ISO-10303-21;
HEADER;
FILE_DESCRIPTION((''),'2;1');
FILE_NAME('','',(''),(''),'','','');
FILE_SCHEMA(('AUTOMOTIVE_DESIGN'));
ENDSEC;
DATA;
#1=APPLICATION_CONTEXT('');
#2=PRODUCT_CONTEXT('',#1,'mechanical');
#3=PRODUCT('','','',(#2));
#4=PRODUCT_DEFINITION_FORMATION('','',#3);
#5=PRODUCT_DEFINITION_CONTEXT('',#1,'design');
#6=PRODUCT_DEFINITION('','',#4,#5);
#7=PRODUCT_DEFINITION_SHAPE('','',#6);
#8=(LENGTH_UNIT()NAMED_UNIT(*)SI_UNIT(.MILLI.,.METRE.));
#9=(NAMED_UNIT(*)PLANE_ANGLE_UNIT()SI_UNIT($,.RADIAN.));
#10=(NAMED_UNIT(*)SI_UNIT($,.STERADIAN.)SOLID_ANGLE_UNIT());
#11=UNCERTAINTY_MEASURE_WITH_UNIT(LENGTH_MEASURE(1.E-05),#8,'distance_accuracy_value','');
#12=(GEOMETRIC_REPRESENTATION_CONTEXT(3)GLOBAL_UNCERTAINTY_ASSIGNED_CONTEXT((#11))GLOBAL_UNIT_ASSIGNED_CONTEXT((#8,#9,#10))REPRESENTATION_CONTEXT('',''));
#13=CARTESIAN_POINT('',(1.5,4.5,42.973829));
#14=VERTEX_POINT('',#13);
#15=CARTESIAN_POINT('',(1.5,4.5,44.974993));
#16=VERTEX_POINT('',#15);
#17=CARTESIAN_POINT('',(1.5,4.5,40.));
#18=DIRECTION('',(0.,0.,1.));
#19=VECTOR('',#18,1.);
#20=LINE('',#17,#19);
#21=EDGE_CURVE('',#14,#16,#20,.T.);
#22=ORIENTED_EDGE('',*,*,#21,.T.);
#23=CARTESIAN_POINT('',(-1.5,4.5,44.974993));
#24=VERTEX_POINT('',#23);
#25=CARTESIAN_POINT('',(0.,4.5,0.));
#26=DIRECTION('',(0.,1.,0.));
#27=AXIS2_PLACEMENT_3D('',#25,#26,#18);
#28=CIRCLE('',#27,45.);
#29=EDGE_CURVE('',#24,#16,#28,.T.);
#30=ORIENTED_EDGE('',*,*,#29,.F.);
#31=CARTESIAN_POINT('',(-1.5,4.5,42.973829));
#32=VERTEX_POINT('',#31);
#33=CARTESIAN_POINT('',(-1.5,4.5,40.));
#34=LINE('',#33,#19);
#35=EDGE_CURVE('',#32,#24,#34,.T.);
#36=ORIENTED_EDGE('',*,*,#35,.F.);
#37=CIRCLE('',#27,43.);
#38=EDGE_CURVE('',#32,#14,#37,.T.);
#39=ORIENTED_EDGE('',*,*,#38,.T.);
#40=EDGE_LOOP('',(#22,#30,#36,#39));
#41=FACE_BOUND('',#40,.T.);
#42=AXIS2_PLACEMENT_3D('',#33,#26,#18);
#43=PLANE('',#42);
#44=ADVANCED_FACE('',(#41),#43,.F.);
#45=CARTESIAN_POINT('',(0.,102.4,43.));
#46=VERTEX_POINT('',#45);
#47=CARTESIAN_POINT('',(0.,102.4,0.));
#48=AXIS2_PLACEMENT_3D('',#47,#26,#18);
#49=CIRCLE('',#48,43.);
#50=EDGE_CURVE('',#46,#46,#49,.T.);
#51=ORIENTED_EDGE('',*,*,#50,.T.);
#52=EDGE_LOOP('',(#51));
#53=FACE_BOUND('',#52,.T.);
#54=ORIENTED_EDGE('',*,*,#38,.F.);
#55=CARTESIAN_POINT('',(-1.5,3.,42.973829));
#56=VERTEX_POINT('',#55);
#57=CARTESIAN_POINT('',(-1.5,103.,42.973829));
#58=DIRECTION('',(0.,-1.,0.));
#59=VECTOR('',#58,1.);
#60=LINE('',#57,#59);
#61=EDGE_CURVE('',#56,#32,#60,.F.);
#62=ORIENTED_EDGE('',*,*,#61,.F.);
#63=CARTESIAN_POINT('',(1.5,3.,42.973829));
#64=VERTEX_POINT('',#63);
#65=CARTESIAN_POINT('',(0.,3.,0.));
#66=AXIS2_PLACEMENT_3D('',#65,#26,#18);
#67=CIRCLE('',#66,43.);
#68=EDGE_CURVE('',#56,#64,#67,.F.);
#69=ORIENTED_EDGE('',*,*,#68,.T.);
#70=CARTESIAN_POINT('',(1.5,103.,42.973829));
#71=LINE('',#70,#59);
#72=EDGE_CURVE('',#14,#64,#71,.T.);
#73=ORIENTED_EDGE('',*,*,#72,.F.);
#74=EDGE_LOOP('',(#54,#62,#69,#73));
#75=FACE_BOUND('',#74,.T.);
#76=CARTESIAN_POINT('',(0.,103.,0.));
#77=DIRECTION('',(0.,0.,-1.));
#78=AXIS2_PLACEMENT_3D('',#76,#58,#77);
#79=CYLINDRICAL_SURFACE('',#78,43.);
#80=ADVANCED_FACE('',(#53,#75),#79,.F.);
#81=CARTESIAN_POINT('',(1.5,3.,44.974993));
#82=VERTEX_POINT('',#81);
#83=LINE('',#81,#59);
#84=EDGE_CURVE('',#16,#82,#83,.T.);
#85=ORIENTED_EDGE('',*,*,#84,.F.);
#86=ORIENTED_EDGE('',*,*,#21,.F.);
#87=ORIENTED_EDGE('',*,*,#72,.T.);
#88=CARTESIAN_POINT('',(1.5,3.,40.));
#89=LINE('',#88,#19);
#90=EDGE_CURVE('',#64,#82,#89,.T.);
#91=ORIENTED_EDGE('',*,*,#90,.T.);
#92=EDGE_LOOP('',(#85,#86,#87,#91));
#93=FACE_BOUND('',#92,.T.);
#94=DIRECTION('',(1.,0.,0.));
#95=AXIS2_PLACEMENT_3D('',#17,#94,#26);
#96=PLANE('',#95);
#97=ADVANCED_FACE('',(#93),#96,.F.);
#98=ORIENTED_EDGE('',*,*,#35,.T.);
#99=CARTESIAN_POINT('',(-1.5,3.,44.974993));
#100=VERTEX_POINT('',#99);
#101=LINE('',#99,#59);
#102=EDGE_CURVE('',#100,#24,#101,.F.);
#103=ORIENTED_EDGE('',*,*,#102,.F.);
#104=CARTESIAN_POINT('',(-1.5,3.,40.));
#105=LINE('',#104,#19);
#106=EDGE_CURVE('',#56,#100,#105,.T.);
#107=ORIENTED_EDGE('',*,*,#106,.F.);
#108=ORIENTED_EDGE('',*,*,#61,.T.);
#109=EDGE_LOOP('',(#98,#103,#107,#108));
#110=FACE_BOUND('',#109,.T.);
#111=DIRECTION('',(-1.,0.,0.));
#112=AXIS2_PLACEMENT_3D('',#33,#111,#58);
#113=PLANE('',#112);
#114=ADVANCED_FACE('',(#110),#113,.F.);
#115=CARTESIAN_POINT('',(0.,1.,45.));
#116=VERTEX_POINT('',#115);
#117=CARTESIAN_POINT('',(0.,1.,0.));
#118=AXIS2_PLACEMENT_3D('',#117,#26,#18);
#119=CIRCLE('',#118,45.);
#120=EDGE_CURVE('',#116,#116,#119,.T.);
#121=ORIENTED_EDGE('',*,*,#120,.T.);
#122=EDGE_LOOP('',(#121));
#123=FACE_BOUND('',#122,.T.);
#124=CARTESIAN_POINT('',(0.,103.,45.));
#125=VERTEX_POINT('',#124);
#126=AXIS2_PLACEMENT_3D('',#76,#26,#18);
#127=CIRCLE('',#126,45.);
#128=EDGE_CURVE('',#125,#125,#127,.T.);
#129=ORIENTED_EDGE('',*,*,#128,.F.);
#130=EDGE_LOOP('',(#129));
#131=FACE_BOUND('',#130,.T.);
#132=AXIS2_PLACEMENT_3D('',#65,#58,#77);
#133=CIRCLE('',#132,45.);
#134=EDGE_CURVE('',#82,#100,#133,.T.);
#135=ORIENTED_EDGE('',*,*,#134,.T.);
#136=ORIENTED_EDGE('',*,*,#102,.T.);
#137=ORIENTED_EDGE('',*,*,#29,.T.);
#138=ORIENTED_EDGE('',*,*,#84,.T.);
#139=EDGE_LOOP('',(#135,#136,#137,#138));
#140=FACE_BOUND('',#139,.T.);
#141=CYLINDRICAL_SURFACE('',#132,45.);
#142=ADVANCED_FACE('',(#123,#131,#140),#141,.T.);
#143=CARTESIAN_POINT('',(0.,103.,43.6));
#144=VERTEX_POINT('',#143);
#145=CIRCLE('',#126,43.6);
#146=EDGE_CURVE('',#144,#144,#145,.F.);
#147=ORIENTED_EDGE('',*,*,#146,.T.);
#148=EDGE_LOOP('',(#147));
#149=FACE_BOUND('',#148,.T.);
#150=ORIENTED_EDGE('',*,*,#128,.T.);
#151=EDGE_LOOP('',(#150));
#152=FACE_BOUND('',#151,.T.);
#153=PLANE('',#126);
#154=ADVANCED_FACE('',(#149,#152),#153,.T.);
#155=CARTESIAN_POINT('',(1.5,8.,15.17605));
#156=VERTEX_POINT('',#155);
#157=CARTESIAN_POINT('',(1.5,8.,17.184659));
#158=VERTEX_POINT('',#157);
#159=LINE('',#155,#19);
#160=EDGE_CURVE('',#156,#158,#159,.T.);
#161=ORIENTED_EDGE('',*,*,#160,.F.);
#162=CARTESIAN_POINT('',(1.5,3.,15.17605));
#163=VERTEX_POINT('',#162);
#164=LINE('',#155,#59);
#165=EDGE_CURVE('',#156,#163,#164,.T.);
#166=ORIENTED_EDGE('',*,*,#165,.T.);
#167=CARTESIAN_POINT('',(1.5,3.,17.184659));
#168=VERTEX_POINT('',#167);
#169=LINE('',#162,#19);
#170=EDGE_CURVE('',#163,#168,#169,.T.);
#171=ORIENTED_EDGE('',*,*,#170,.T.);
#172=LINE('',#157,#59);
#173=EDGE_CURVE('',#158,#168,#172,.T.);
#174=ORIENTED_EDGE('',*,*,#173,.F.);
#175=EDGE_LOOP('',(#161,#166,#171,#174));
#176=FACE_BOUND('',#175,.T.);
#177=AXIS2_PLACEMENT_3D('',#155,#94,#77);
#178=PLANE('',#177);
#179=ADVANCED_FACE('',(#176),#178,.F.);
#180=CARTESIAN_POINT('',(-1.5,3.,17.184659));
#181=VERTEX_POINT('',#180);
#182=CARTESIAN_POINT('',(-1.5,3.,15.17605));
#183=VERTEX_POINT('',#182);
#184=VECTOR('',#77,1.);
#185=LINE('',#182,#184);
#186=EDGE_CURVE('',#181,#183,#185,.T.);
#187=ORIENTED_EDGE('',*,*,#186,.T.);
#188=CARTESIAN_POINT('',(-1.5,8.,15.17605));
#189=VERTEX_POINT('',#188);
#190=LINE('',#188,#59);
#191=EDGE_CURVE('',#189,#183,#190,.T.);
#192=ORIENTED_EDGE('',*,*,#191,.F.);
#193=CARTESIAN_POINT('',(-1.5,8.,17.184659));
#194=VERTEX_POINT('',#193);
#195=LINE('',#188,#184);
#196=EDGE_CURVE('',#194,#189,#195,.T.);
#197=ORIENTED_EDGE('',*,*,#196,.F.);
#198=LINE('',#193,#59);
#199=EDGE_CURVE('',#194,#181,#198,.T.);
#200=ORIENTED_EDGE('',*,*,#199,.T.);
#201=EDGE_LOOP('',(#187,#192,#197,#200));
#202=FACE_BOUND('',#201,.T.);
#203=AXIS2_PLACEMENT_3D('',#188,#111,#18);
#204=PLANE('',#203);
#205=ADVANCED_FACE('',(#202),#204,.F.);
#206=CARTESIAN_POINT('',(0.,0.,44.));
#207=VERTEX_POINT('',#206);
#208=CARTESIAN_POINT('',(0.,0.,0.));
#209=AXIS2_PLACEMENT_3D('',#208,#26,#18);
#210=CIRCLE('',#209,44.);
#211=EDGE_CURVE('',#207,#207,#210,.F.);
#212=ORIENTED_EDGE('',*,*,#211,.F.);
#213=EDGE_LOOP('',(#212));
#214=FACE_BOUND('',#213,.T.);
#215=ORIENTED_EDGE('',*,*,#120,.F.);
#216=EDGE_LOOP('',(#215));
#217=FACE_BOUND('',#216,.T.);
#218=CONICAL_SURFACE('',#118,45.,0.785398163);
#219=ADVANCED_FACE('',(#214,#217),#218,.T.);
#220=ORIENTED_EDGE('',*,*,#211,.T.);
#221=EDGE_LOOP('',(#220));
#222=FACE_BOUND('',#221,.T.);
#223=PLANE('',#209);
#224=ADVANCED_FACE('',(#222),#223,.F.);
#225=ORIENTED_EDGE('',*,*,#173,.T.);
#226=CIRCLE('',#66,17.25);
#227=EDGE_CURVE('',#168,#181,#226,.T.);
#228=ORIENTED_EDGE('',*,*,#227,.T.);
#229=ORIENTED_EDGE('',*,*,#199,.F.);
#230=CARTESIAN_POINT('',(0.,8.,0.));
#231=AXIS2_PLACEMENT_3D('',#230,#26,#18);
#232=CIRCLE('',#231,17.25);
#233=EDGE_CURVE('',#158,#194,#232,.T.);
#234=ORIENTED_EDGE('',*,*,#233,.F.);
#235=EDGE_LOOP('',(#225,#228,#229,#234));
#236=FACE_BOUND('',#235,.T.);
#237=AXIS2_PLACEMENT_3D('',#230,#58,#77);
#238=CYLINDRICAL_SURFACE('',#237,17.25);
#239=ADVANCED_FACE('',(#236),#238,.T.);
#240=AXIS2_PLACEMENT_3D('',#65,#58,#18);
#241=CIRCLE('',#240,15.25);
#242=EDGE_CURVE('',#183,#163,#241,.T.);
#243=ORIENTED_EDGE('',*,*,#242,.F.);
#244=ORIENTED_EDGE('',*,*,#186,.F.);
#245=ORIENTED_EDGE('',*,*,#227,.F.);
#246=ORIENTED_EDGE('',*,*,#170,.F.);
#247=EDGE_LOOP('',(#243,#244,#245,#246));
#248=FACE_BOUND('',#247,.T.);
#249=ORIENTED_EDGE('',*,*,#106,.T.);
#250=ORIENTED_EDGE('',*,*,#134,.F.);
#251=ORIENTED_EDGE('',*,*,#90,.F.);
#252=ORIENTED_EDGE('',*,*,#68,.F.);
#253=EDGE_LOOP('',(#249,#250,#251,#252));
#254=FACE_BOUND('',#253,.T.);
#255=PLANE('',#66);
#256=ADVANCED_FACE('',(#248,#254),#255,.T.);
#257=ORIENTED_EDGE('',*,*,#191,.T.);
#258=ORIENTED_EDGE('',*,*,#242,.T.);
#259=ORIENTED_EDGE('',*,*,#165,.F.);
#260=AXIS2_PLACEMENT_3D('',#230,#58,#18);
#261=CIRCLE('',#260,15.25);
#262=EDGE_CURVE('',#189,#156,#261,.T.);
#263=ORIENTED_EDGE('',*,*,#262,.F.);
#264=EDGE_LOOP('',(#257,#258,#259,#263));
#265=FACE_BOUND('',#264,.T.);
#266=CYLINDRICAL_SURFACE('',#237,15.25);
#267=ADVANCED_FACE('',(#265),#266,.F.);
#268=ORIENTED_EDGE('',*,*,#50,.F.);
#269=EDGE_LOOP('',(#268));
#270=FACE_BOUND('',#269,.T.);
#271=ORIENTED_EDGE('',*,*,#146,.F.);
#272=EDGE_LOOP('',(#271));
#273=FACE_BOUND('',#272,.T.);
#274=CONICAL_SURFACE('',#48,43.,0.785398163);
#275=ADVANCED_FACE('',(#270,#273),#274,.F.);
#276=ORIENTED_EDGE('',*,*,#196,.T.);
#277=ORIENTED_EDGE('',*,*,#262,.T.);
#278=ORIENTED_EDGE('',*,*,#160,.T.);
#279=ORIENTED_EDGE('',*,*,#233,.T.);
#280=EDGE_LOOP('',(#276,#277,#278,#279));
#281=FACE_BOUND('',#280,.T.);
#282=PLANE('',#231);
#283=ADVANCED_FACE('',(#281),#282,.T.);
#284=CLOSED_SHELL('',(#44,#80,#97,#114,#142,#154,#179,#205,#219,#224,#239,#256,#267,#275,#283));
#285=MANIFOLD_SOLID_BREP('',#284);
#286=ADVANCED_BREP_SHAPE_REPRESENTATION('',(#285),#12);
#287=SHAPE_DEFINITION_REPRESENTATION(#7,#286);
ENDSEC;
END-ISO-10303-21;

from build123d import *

# Parameters (mm, degrees)
SKETCH1_R           = 45
BOSS_EXTRUDE1_DEPTH = 3
SKETCH2_R           = 45
SKETCH2_R_2         = 43
BOSS_EXTRUDE2_DEPTH = 100
BOSS_EXTRUDE3_DEPTH = 5
SKETCH4_W           = 3
SKETCH4_H           = 1.5
CUT_EXTRUDE1_DEPTH  = 5
CHAMFER1_SIZE       = 0.6
CHAMFER2_SIZE       = 1


with BuildPart() as part:
    # Sketch1 → Boss-Extrude1 (new body)
    with BuildSketch(Plane(origin=(0, 0, 0), x_dir=(1, 0, 0), z_dir=(0, 1, 0))):
        with Locations(Location((0, 0, 0), (0, 0, 270))):
            Circle(SKETCH1_R)
    extrude(amount=BOSS_EXTRUDE1_DEPTH)

    # Sketch2 → Boss-Extrude2 (add)
    with BuildSketch(Plane(origin=(0, 3, 0), x_dir=(1, 0, 0), z_dir=(0, 1, 0))):
        with Locations(Location((0, 0, 0), (0, 0, 270))):
            Circle(SKETCH2_R)
        with Locations(Location((0, 0, 0), (0, 0, 270))):
            Circle(SKETCH2_R_2, mode=Mode.SUBTRACT)
    extrude(amount=BOSS_EXTRUDE2_DEPTH)

    # Sketch3 → Boss-Extrude3 (add)
    with BuildSketch(Plane(origin=(0, 3, 0), x_dir=(1, 0, 0), z_dir=(0, 1, 0))):
        with BuildLine():
            Line((-1.5, -15.176050211), (-1.5, -17.184658856))
            ThreePointArc((-1.5, -17.184658856), (0, 17.25), (1.5, -17.184658856))
            Line((1.5, -17.184658856), (1.5, -15.176050211))
            ThreePointArc((1.5, -15.176050211), (0, 15.25), (-1.5, -15.176050211))
        make_face()
    extrude(amount=BOSS_EXTRUDE3_DEPTH)

    # Sketch4 → Cut-Extrude1 (cut)
    with BuildSketch(Plane.XY.offset(45)):
        with Locations((0, 3.75)):
            Rectangle(SKETCH4_W, SKETCH4_H)
    extrude(amount=-CUT_EXTRUDE1_DEPTH, mode=Mode.SUBTRACT)

    # Chamfer1
    chamfer1_edges = [part.edges().sort_by_distance(p)[0] for p in [
        (0, 103, -43),
    ]]
    chamfer(chamfer1_edges, length=CHAMFER1_SIZE)

    # Chamfer2
    chamfer2_edges = [part.edges().sort_by_distance(p)[0] for p in [
        (0, 0, -45),
    ]]
    chamfer(chamfer2_edges, length=CHAMFER2_SIZE)


solid = part.part
